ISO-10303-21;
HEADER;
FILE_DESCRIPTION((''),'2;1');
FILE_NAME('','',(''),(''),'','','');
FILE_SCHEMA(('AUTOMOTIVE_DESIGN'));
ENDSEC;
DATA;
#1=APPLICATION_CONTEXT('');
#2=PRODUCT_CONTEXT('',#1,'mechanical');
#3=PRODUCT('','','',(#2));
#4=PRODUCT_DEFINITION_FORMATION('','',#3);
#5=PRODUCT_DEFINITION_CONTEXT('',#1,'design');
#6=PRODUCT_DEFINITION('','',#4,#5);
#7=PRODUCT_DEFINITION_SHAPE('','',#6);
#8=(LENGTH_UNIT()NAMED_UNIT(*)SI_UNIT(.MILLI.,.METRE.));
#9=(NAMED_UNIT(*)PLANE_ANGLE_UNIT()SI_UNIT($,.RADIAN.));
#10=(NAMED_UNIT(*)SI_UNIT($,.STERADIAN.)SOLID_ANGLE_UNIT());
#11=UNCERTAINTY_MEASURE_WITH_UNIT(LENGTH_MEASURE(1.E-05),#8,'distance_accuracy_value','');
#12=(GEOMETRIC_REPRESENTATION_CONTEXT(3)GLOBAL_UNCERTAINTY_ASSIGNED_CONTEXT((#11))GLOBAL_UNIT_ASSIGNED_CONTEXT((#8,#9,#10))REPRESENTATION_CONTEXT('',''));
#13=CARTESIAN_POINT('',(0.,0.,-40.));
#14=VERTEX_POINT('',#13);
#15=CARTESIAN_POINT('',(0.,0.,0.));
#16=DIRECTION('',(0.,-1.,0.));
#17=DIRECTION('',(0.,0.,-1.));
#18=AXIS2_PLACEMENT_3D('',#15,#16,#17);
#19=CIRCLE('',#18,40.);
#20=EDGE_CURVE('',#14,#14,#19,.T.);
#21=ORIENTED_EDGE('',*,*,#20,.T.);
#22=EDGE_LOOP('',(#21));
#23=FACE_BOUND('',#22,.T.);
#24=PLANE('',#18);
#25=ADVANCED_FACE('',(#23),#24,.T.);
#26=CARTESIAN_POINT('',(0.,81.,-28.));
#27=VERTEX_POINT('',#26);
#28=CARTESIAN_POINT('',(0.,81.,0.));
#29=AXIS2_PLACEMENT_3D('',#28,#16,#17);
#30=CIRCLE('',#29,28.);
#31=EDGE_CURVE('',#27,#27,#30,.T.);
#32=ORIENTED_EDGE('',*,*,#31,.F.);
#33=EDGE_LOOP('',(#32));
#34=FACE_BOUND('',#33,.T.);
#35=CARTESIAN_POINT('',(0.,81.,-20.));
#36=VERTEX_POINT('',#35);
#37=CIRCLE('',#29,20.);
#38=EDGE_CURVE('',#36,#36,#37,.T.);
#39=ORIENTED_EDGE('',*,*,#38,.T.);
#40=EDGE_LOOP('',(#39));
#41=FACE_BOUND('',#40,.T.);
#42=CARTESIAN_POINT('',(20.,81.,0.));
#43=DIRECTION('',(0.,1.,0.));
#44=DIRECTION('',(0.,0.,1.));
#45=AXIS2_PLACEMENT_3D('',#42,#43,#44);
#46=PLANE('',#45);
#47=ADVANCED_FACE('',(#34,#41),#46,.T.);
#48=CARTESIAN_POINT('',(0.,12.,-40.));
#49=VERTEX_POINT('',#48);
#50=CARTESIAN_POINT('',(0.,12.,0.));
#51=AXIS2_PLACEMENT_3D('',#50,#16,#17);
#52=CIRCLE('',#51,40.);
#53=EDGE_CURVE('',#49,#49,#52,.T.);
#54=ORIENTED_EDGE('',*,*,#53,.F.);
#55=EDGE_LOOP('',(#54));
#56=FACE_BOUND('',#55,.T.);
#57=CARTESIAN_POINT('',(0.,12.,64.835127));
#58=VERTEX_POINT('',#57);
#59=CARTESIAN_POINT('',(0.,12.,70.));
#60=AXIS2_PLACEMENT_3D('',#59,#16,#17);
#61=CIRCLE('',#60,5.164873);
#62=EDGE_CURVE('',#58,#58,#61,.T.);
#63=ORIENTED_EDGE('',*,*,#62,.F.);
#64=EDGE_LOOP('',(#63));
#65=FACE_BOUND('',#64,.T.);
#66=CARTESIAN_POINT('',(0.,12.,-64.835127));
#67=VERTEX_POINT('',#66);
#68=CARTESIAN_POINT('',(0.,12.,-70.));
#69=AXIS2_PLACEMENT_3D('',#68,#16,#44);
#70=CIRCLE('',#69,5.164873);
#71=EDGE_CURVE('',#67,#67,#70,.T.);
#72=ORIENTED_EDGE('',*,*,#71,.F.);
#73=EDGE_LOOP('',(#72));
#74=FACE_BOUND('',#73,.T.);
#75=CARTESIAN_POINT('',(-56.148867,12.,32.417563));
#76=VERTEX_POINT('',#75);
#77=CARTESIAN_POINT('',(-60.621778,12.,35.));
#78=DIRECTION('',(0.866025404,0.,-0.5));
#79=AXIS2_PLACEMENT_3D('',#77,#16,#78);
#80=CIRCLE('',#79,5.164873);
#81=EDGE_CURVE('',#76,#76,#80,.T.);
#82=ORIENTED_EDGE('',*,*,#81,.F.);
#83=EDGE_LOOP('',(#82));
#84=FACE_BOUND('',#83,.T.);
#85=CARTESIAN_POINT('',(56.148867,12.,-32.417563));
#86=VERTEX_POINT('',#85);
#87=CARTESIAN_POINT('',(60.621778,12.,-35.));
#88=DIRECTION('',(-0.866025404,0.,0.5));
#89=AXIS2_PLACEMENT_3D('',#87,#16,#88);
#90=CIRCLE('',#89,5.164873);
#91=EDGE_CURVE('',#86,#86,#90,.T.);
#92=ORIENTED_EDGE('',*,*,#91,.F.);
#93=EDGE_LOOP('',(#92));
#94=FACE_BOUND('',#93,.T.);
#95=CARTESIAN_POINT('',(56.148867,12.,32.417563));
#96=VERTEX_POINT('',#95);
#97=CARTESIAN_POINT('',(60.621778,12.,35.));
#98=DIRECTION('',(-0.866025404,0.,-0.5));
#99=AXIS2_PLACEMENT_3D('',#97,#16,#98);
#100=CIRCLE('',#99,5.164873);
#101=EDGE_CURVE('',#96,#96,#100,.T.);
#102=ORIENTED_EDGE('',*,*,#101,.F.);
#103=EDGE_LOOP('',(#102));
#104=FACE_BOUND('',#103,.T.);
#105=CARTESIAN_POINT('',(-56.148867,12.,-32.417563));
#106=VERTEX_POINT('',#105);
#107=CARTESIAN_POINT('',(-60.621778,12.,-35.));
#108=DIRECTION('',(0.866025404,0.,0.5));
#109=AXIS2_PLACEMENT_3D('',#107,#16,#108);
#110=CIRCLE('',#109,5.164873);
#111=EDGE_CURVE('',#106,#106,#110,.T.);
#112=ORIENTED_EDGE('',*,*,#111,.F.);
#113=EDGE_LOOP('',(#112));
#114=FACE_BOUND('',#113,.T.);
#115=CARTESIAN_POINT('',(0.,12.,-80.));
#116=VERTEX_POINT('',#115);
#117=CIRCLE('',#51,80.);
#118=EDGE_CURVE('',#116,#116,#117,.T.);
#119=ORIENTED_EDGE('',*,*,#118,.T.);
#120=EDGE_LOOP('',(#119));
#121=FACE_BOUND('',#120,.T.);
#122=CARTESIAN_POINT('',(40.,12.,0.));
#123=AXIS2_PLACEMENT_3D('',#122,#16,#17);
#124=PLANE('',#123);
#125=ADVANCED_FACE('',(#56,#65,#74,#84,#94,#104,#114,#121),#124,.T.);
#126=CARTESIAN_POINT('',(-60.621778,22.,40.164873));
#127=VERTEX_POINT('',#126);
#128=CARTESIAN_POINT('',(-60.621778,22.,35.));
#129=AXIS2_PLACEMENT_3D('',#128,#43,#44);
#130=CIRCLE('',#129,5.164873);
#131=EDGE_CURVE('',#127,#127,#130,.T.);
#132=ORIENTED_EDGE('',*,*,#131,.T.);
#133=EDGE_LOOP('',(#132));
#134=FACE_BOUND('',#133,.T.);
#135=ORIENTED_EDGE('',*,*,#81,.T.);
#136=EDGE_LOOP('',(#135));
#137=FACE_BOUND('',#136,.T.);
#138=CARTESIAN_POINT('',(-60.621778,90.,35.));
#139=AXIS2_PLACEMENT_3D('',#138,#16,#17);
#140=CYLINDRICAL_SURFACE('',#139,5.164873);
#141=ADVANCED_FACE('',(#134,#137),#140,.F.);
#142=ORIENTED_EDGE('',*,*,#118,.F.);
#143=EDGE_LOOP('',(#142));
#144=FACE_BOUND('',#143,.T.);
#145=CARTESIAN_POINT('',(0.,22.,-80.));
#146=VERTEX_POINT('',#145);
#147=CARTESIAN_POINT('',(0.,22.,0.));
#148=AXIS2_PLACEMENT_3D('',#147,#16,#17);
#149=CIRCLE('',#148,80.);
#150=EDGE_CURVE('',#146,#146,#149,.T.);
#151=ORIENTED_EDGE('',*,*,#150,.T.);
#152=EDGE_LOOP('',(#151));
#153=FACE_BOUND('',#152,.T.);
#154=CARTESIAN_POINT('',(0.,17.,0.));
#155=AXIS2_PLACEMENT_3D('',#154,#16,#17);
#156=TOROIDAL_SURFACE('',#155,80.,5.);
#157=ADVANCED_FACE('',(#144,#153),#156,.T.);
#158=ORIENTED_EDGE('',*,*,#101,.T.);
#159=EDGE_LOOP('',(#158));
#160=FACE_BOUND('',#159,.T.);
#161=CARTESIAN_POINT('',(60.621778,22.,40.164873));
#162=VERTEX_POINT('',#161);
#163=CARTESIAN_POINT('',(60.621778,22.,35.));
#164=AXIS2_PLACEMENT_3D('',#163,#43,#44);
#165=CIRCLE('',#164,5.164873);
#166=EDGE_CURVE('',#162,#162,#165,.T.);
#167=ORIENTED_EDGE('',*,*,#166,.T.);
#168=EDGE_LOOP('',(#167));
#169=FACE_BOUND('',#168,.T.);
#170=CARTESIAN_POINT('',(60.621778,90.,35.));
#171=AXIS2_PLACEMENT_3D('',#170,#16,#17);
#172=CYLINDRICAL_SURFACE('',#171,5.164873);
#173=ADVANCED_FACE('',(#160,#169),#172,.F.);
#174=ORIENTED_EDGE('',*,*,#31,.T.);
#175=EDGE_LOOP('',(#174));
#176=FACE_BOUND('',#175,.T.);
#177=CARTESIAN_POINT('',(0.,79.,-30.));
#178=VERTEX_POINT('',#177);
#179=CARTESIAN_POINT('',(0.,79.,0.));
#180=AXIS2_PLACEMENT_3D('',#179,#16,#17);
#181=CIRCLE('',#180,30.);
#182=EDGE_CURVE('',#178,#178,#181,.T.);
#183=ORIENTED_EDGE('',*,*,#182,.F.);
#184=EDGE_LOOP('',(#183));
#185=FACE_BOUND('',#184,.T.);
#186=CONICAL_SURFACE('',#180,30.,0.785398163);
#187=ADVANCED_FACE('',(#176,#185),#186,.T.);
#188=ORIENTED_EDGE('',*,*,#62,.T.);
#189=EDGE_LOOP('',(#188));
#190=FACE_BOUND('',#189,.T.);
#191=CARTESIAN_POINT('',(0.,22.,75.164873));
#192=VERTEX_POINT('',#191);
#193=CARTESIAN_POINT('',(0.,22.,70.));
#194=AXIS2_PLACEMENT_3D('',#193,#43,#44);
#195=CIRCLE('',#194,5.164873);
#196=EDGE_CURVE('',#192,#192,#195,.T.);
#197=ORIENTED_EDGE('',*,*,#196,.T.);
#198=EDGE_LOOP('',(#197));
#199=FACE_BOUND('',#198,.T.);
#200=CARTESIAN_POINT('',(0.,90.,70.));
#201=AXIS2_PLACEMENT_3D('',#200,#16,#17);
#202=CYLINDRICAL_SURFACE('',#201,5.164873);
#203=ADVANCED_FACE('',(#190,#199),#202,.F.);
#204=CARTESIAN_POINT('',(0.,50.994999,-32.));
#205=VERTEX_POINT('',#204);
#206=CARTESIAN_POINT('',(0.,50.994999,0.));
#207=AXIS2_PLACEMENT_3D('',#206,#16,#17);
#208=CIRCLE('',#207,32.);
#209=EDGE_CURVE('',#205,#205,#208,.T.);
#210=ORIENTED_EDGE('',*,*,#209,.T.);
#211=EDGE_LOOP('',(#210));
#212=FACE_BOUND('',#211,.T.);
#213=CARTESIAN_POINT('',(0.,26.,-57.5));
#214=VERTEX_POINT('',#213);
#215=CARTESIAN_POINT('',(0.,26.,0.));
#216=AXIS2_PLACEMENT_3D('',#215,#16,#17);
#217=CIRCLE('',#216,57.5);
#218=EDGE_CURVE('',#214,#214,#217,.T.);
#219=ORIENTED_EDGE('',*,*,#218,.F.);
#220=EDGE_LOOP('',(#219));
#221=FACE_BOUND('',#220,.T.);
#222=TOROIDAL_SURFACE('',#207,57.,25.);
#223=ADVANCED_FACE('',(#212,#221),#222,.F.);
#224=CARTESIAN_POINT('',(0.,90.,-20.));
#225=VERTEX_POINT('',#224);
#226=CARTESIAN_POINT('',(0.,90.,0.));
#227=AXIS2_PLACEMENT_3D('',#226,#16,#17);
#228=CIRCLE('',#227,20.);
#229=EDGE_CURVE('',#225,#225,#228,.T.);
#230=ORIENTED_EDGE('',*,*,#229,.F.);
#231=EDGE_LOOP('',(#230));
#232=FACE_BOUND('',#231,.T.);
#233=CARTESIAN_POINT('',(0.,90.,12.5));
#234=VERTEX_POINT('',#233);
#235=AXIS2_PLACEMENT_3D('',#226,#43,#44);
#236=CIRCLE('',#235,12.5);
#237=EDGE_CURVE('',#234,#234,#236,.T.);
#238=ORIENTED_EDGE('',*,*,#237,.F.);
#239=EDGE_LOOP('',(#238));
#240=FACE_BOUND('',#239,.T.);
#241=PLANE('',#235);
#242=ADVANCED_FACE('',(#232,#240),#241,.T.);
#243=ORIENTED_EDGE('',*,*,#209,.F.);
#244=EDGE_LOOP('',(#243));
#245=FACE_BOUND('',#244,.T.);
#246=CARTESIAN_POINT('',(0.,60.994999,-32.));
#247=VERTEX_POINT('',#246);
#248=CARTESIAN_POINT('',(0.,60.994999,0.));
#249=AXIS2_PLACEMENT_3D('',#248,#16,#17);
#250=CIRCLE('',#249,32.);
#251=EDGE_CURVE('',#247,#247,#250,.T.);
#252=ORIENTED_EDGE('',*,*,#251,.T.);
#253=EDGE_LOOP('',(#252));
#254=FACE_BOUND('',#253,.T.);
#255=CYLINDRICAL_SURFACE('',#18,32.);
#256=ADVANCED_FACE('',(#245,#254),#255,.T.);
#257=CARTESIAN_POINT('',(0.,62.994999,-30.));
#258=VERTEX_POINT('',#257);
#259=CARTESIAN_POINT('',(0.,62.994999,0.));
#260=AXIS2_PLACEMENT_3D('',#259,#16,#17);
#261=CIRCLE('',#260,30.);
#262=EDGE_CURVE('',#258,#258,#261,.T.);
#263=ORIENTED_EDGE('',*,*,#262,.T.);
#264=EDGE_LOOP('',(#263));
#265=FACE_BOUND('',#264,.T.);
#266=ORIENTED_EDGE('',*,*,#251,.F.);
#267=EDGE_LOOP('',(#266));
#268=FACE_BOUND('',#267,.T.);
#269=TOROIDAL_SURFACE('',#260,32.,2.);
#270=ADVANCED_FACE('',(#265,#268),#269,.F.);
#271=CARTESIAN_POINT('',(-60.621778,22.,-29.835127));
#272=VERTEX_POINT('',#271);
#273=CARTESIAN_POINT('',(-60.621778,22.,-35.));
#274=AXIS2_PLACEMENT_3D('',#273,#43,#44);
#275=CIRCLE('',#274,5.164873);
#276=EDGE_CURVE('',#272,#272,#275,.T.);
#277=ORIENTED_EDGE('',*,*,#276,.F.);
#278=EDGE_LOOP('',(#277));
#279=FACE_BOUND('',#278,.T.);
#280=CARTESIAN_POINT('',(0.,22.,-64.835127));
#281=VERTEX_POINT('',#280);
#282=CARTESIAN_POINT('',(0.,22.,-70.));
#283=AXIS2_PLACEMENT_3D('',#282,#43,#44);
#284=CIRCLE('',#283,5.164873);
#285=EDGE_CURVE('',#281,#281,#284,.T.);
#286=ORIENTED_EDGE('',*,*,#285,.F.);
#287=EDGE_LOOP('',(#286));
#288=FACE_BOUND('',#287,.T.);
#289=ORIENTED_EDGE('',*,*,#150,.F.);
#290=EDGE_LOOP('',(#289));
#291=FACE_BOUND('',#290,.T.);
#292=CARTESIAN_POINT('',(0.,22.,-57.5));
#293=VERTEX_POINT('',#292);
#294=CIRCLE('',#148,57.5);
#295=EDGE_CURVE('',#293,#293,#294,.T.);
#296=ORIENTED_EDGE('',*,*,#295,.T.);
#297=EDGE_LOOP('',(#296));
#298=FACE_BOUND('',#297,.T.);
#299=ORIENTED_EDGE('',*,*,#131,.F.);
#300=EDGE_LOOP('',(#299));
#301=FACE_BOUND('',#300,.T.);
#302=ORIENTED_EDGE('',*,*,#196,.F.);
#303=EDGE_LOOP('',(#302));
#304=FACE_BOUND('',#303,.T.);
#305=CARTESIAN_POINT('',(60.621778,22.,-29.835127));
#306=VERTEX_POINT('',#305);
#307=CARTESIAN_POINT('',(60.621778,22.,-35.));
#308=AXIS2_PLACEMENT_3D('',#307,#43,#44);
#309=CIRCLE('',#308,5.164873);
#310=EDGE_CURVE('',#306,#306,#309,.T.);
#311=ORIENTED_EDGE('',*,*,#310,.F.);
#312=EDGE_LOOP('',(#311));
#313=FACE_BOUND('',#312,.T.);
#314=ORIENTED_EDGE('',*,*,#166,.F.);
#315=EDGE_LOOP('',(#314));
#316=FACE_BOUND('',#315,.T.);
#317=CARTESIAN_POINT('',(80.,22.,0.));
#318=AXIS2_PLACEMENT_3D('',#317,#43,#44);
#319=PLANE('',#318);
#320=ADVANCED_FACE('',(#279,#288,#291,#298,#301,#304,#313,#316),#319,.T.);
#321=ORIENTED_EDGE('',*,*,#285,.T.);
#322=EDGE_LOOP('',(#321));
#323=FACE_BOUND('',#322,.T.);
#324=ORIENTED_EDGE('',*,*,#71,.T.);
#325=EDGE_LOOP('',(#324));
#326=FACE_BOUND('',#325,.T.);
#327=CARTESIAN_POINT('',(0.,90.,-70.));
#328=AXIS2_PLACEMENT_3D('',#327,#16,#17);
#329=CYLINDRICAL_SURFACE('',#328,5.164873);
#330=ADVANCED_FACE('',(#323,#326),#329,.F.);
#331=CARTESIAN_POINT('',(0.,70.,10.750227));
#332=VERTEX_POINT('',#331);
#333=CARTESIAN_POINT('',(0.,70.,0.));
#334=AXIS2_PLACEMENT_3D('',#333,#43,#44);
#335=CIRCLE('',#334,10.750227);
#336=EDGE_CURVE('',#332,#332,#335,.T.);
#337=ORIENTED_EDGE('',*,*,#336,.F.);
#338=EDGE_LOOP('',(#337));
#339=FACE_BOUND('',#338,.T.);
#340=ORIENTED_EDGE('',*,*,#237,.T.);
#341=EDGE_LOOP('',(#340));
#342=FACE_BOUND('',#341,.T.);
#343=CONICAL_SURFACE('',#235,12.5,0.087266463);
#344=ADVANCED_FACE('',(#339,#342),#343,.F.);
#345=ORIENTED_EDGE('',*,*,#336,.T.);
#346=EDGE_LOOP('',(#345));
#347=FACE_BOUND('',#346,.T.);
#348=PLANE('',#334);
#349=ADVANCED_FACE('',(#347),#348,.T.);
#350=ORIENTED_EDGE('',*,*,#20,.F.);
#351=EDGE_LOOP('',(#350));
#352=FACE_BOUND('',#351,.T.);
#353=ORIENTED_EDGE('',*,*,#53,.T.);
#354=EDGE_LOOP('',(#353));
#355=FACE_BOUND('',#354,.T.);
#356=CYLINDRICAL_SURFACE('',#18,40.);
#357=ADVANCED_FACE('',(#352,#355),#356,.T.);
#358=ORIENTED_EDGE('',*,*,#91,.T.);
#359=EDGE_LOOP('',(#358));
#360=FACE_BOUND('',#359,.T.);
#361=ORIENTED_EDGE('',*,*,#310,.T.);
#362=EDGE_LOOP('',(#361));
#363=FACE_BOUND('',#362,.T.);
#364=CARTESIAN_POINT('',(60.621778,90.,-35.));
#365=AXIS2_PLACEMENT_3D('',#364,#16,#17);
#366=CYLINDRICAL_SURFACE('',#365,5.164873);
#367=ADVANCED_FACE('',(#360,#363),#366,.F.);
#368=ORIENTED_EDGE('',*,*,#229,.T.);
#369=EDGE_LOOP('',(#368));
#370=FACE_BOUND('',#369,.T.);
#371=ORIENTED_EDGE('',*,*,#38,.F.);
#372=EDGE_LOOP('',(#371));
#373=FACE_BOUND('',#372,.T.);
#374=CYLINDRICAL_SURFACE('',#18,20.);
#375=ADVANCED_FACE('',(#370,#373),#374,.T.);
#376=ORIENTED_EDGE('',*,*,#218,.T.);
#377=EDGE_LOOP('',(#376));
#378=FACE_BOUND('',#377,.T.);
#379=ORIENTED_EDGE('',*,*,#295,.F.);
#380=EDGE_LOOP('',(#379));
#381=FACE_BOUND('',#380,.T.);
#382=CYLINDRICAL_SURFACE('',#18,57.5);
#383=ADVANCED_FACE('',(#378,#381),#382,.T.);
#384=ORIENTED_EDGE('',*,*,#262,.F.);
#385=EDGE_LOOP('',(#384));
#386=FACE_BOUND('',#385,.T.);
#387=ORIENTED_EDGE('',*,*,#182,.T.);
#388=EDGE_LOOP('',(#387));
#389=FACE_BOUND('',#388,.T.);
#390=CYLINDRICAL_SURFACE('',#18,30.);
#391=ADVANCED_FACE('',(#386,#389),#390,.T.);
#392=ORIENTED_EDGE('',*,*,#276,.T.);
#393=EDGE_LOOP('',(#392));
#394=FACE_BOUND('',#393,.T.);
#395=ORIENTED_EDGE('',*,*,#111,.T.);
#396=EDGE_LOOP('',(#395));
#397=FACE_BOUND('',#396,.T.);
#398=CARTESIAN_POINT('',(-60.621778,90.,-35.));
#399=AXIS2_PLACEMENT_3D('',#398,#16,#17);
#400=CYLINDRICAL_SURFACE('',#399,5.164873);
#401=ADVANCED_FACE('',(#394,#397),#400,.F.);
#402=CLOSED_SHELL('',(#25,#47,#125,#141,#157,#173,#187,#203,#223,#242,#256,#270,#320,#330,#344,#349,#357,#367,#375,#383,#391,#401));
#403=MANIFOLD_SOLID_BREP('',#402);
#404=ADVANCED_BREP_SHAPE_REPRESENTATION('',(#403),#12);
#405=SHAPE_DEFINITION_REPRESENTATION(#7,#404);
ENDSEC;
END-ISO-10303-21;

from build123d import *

# Parameters (mm, degrees)
CROQUIS2_R            = 12.5
CORTAR_EXTRUIR1_DEPTH = 20
CORTAR_EXTRUIR1_TAPER = 5
CROQUIS3_R            = 5.164873121
CORTAR_EXTRUIR2_DEPTH = 79.0000001
MATRIZC2_COUNT        = 6


with BuildPart() as part:
    # Croquis1 → Revolución1 (revolve)
    with BuildSketch(Plane.XY):
        with BuildLine():
            Line((0, 0), (0, 90))
            Line((0, 90), (20, 90))
            Line((20, 90), (20, 81))
            Line((20, 81), (28, 81))
            Line((28, 81), (30, 79))
            Line((30, 79), (30, 62.9949995))
            ThreePointArc((30, 62.9949995), (30.585786438, 61.580785938), (32, 60.9949995))
            Line((32, 60.9949995), (32, 50.9949995))
            ThreePointArc((32, 50.9949995), (39.5, 33.141428429), (57.5, 26))
            Line((57.5, 26), (57.5, 22))
            Line((57.5, 22), (80, 22))
            ThreePointArc((80, 22), (85, 17), (80, 12))
            Line((80, 12), (40, 12))
            Line((40, 12), (40, 0))
            Line((40, 0), (0, 0))
        make_face()
    revolve(axis=Axis((0, 0, 0), (0, 1, 0)))

    # Croquis2 → Cortar-Extruir1 (cut)
    with BuildSketch(Plane(origin=(0, 90, 0), x_dir=(1, 0, 0), z_dir=(0, 1, 0))):
        Circle(CROQUIS2_R)
    extrude(amount=-CORTAR_EXTRUIR1_DEPTH, taper=CORTAR_EXTRUIR1_TAPER, mode=Mode.SUBTRACT)

    # Croquis3 → Cortar-Extruir2 (cut, through all)
    with BuildSketch(Plane.XZ.offset(-12)):
        with Locations((0, 70)):
            Circle(CROQUIS3_R)
    cortar_extruir2 = extrude(amount=-CORTAR_EXTRUIR2_DEPTH, mode=Mode.SUBTRACT)

    # MatrizC2: Cortar-Extruir2 ×6 about axis
    matrizc2_axis = Axis((0, 0, 0), (0, 1, 0))
    for i in range(1, MATRIZC2_COUNT):
        add(cortar_extruir2.rotate(matrizc2_axis, i * 360 / MATRIZC2_COUNT), mode=Mode.SUBTRACT)


solid = part.part
